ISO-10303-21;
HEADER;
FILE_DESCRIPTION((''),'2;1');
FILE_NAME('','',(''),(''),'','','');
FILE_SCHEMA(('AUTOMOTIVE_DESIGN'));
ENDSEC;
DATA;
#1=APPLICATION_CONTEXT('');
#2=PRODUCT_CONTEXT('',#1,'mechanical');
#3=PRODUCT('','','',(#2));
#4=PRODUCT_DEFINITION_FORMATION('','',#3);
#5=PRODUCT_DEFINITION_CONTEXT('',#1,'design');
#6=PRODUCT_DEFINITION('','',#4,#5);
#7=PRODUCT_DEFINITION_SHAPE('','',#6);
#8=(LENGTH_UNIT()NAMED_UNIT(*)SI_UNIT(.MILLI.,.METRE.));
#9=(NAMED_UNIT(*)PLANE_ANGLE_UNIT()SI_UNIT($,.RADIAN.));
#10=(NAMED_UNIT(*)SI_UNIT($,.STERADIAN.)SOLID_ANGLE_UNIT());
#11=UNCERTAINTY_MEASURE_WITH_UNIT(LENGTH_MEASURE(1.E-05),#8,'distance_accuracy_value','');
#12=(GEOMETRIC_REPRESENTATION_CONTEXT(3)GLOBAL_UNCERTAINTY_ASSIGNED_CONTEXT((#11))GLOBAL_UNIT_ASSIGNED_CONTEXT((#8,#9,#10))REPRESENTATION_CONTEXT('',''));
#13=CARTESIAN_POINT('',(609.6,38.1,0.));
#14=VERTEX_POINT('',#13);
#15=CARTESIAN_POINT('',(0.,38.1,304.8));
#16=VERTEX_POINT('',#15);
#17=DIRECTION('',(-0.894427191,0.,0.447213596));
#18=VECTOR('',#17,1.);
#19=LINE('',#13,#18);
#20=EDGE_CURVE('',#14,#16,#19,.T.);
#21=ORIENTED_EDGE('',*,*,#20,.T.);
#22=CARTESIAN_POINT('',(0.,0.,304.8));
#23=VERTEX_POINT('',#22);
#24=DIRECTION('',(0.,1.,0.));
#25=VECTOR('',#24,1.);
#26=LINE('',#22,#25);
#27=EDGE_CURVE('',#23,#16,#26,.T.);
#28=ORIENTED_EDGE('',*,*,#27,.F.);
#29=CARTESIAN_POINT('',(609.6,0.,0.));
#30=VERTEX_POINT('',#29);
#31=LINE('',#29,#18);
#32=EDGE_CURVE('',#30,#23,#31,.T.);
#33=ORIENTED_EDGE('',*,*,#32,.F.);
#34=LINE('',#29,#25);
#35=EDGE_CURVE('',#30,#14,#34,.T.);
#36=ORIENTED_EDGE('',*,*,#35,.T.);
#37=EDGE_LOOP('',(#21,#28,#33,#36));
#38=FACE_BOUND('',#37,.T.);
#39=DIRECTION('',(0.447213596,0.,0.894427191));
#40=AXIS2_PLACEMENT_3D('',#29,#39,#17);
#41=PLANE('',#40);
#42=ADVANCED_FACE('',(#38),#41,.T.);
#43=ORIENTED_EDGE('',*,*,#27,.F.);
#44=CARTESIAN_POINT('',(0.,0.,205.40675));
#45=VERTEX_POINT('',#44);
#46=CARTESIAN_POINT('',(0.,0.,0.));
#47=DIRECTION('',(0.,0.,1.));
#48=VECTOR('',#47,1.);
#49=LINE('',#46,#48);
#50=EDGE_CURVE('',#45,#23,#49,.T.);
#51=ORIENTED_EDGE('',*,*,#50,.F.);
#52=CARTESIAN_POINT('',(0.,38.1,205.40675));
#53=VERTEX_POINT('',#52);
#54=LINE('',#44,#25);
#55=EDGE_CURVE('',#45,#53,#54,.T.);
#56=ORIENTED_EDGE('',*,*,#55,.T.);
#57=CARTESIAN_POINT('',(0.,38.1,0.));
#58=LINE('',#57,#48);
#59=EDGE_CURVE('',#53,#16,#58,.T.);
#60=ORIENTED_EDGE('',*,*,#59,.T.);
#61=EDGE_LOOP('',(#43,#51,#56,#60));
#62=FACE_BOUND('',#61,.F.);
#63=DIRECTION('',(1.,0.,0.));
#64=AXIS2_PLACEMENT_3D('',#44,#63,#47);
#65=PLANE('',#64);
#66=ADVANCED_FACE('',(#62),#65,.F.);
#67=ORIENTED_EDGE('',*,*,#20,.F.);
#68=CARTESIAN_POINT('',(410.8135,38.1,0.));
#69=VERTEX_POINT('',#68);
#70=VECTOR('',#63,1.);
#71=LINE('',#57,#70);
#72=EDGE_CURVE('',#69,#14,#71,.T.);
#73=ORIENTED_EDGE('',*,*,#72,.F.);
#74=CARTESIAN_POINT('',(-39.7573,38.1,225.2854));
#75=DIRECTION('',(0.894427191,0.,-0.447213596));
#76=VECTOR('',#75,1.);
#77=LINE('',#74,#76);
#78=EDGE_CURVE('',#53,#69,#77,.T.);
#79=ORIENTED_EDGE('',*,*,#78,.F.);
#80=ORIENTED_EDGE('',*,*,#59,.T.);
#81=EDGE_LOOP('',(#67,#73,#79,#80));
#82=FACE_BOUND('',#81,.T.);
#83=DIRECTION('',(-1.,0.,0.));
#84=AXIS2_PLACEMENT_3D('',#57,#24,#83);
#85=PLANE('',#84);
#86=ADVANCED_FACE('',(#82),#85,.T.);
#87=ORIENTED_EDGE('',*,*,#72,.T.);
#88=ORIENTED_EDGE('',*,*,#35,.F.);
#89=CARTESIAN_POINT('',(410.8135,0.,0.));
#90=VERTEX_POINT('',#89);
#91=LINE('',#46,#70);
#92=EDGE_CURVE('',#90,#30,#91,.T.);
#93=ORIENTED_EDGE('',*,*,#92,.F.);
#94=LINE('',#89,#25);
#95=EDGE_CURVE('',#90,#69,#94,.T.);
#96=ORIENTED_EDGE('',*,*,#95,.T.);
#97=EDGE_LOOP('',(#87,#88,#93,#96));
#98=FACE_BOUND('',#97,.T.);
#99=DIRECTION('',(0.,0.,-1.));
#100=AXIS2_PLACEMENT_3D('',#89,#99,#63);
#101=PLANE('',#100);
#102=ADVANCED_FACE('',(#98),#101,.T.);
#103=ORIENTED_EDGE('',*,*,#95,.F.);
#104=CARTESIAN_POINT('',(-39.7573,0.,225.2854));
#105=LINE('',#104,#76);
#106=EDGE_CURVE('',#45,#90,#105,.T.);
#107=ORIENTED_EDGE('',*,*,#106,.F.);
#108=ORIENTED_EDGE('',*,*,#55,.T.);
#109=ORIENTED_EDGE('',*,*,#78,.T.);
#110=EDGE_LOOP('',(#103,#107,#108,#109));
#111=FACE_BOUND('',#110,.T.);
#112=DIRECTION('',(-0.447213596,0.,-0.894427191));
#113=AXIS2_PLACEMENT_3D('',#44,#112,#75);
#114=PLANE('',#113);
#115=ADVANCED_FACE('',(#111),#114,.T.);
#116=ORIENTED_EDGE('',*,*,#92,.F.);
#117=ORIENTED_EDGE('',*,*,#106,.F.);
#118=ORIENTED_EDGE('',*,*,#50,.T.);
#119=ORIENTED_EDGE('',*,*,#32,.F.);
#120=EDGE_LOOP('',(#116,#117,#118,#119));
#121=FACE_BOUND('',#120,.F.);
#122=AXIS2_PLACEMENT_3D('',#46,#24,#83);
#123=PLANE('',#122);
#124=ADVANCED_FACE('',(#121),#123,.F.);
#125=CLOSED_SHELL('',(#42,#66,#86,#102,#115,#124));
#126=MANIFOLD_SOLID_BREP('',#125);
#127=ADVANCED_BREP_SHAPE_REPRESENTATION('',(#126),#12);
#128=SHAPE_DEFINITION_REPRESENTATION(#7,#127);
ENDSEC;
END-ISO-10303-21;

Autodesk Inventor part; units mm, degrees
ref_plane "YZ Plane" through (0, 0, 0) normal (1, 0, 0) x (0, 1, 0)
ref_plane "XZ Plane" through (0, 0, 0) normal (0, 1, 0) x (-1, 0, 0)
ref_plane "XY Plane" through (0, 0, 0) normal (0, 0, 1) x (1, 0, 0)
sketch "Sketch1" plane through (0, 0, 0) normal (0, 1, 0) x (-1, 0, 0)
  line L0 (0, 0) -> (-914.4, 0)
  line L1 (-914.4, 0) -> (-914.4, -762)
  line L2 (-914.4, 0) -> (-914.4, 152.4)
  line L3 (0, 0) -> (0, 304.8)
  line L4 (0, 0) -> (-609.6, 0)
  line L5 (-609.6, 0) -> (0, 304.8)
  line L6 (-609.6, 0) -> (-914.4, 152.4)
  line L7 (-914.4, 152.4) -> (-825.5, 152.4)
  line L8 (-825.5, 152.4) -> (-825.5, 0)
  line L9 (-825.5, 0) -> (-825.5, -762)
  line L10 (-825.5, -762) -> (-914.4, -762)
  line L11 (-609.6, 0) -> (-649.3573, -79.5146)
  line L12 (-914.4, 152.4) -> (-954.1573, 72.8854)
  line L13 (-649.3573, -79.5146) -> (-954.1573, 72.8854)
  line L14 (-609.6, 0) -> (-569.8427, -79.5146)
  line L15 (0, 304.8) -> (39.7573, 225.2854)
  line L16 (39.7573, 225.2854) -> (-569.8427, -79.5146)
  point P0 (-410.8136, 0)
  point P1 (0, 205.4068)
  dimension "d0" = 914.4
  dimension "d1" = 762
  dimension "d2" = 152.4
  dimension "d3" = 304.8
  dimension "d4" = 609.6
  dimension "d5" = 88.9
  dimension "d6" = 88.9
  dimension "d7" = 88.9
  dimension "d8" = 88.9
  dimension "d9" = 88.9
extrude "Extrusion1" add sketch "Sketch1" along normal blind 38.1 contours L5 L3 L16 L0
properties part number "S_2x4x26.833"
